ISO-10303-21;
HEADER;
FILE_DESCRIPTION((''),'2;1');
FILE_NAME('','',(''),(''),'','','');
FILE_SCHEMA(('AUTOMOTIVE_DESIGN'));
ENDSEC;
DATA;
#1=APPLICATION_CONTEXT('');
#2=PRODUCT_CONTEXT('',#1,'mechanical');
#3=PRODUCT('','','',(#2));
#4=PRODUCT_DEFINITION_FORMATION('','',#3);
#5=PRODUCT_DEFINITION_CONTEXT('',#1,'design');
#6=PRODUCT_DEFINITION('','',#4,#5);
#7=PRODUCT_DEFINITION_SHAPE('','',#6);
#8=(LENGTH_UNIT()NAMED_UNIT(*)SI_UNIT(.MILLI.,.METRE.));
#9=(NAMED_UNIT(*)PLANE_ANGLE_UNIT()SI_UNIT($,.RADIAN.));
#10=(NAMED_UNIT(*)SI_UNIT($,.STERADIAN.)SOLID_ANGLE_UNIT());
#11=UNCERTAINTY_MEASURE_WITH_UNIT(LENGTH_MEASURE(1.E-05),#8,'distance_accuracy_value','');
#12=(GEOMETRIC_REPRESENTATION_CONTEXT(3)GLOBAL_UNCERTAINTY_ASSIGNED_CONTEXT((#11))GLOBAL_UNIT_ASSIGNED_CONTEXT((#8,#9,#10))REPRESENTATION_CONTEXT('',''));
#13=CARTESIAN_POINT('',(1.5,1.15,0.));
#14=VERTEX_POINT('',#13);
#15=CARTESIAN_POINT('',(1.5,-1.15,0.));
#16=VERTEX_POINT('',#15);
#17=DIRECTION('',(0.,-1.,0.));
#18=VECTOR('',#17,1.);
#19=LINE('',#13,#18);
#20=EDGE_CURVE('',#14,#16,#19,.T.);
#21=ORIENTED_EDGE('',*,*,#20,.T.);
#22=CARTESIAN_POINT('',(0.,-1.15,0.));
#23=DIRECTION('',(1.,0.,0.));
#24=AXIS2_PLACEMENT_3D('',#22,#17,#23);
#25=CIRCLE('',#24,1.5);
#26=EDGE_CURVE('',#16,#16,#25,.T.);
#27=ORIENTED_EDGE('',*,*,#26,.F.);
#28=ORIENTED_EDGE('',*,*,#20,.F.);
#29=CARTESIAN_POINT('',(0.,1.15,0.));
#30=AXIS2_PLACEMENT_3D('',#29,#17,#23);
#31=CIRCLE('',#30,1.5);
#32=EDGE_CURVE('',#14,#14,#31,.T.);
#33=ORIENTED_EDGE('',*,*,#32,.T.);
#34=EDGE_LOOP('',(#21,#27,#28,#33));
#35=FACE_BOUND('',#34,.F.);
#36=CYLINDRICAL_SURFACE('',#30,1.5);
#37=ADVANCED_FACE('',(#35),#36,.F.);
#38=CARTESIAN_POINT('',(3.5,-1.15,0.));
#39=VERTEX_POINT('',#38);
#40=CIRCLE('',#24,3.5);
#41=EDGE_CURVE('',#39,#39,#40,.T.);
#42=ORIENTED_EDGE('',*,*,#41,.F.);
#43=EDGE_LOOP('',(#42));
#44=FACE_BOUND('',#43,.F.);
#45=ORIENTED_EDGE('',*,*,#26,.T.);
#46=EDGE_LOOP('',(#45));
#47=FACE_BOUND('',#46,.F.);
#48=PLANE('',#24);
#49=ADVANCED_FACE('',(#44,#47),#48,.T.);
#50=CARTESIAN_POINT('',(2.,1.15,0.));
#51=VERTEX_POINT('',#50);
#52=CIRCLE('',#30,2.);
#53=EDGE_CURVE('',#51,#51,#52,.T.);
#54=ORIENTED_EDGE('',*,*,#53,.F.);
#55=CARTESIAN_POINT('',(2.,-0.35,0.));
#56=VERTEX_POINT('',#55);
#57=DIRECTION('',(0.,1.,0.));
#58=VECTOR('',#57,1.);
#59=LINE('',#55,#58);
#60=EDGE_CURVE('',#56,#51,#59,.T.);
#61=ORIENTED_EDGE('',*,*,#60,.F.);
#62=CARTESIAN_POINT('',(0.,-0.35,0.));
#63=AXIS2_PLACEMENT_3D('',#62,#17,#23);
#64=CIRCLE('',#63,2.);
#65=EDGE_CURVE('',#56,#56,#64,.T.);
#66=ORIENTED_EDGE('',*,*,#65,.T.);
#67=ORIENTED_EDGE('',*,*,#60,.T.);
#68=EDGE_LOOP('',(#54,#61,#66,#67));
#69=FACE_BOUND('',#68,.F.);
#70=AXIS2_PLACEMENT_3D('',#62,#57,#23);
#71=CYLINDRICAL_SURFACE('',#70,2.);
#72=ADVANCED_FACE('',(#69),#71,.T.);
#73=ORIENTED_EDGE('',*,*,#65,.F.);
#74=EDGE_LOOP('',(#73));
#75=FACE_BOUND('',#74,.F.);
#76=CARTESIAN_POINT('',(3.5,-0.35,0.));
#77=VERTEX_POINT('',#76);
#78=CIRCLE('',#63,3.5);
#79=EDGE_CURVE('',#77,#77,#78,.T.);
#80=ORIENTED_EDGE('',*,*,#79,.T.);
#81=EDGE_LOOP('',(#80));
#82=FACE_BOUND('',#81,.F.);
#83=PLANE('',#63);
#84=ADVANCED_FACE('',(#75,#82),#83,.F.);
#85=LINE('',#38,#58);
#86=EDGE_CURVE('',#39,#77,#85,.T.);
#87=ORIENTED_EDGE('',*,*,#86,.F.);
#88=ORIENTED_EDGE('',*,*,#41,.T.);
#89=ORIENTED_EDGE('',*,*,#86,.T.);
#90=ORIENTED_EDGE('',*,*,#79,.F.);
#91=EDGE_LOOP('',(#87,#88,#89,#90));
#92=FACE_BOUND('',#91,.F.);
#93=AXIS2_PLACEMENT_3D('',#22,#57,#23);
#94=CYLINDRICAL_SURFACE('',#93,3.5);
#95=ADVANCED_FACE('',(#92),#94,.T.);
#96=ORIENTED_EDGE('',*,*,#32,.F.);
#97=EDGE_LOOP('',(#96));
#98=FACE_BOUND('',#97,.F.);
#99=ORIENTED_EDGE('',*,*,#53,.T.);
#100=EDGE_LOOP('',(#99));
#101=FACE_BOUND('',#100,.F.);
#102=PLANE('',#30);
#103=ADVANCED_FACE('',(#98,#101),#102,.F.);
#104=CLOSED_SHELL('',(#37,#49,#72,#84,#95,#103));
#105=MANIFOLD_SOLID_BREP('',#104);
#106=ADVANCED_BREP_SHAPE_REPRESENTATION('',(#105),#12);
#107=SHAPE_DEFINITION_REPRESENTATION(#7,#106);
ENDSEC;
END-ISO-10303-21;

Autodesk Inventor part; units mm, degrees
ref_plane "YZ Plane" through (0, 0, 0) normal (1, 0, 0) x (0, 1, 0)
ref_plane "XZ Plane" through (0, 0, 0) normal (0, 1, 0) x (-1, 0, 0)
ref_plane "XY Plane" through (0, 0, 0) normal (0, 0, 1) x (1, 0, 0)
sketch "スケッチ1" plane through (0, 0, 0) normal (0, 0, 1) x (1, 0, 0)
  line L0 (1.5, 1.15) -> (1.5, -1.15)
  line L1 (1.5, -1.15) -> (3.5, -1.15)
  line L2 (3.5, -1.15) -> (3.5, -0.35)
  line L3 (3.5, -0.35) -> (2, -0.35)
  line L4 (2, -0.35) -> (2, 1.15)
  line L5 (2, 1.15) -> (1.5, 1.15)
  line L6 (0, 1.8364) -> (0, -1.8364) construction
  point P0 (0, 0)
  point P1 (0, 0)
  point P2 (1.5, 0)
  dimension "d0" = 3
  dimension "d1" = 4
  dimension "d2" = 0.8
  dimension "d3" = 1.5
  dimension "d4" = 7
revolve "回転1" add sketch "スケッチ1" angle 360 about axis through (0, 1.8364, 0) along (0, -1, 0)
properties part number "D3040-7815B" material "アセタール樹脂、黒"
